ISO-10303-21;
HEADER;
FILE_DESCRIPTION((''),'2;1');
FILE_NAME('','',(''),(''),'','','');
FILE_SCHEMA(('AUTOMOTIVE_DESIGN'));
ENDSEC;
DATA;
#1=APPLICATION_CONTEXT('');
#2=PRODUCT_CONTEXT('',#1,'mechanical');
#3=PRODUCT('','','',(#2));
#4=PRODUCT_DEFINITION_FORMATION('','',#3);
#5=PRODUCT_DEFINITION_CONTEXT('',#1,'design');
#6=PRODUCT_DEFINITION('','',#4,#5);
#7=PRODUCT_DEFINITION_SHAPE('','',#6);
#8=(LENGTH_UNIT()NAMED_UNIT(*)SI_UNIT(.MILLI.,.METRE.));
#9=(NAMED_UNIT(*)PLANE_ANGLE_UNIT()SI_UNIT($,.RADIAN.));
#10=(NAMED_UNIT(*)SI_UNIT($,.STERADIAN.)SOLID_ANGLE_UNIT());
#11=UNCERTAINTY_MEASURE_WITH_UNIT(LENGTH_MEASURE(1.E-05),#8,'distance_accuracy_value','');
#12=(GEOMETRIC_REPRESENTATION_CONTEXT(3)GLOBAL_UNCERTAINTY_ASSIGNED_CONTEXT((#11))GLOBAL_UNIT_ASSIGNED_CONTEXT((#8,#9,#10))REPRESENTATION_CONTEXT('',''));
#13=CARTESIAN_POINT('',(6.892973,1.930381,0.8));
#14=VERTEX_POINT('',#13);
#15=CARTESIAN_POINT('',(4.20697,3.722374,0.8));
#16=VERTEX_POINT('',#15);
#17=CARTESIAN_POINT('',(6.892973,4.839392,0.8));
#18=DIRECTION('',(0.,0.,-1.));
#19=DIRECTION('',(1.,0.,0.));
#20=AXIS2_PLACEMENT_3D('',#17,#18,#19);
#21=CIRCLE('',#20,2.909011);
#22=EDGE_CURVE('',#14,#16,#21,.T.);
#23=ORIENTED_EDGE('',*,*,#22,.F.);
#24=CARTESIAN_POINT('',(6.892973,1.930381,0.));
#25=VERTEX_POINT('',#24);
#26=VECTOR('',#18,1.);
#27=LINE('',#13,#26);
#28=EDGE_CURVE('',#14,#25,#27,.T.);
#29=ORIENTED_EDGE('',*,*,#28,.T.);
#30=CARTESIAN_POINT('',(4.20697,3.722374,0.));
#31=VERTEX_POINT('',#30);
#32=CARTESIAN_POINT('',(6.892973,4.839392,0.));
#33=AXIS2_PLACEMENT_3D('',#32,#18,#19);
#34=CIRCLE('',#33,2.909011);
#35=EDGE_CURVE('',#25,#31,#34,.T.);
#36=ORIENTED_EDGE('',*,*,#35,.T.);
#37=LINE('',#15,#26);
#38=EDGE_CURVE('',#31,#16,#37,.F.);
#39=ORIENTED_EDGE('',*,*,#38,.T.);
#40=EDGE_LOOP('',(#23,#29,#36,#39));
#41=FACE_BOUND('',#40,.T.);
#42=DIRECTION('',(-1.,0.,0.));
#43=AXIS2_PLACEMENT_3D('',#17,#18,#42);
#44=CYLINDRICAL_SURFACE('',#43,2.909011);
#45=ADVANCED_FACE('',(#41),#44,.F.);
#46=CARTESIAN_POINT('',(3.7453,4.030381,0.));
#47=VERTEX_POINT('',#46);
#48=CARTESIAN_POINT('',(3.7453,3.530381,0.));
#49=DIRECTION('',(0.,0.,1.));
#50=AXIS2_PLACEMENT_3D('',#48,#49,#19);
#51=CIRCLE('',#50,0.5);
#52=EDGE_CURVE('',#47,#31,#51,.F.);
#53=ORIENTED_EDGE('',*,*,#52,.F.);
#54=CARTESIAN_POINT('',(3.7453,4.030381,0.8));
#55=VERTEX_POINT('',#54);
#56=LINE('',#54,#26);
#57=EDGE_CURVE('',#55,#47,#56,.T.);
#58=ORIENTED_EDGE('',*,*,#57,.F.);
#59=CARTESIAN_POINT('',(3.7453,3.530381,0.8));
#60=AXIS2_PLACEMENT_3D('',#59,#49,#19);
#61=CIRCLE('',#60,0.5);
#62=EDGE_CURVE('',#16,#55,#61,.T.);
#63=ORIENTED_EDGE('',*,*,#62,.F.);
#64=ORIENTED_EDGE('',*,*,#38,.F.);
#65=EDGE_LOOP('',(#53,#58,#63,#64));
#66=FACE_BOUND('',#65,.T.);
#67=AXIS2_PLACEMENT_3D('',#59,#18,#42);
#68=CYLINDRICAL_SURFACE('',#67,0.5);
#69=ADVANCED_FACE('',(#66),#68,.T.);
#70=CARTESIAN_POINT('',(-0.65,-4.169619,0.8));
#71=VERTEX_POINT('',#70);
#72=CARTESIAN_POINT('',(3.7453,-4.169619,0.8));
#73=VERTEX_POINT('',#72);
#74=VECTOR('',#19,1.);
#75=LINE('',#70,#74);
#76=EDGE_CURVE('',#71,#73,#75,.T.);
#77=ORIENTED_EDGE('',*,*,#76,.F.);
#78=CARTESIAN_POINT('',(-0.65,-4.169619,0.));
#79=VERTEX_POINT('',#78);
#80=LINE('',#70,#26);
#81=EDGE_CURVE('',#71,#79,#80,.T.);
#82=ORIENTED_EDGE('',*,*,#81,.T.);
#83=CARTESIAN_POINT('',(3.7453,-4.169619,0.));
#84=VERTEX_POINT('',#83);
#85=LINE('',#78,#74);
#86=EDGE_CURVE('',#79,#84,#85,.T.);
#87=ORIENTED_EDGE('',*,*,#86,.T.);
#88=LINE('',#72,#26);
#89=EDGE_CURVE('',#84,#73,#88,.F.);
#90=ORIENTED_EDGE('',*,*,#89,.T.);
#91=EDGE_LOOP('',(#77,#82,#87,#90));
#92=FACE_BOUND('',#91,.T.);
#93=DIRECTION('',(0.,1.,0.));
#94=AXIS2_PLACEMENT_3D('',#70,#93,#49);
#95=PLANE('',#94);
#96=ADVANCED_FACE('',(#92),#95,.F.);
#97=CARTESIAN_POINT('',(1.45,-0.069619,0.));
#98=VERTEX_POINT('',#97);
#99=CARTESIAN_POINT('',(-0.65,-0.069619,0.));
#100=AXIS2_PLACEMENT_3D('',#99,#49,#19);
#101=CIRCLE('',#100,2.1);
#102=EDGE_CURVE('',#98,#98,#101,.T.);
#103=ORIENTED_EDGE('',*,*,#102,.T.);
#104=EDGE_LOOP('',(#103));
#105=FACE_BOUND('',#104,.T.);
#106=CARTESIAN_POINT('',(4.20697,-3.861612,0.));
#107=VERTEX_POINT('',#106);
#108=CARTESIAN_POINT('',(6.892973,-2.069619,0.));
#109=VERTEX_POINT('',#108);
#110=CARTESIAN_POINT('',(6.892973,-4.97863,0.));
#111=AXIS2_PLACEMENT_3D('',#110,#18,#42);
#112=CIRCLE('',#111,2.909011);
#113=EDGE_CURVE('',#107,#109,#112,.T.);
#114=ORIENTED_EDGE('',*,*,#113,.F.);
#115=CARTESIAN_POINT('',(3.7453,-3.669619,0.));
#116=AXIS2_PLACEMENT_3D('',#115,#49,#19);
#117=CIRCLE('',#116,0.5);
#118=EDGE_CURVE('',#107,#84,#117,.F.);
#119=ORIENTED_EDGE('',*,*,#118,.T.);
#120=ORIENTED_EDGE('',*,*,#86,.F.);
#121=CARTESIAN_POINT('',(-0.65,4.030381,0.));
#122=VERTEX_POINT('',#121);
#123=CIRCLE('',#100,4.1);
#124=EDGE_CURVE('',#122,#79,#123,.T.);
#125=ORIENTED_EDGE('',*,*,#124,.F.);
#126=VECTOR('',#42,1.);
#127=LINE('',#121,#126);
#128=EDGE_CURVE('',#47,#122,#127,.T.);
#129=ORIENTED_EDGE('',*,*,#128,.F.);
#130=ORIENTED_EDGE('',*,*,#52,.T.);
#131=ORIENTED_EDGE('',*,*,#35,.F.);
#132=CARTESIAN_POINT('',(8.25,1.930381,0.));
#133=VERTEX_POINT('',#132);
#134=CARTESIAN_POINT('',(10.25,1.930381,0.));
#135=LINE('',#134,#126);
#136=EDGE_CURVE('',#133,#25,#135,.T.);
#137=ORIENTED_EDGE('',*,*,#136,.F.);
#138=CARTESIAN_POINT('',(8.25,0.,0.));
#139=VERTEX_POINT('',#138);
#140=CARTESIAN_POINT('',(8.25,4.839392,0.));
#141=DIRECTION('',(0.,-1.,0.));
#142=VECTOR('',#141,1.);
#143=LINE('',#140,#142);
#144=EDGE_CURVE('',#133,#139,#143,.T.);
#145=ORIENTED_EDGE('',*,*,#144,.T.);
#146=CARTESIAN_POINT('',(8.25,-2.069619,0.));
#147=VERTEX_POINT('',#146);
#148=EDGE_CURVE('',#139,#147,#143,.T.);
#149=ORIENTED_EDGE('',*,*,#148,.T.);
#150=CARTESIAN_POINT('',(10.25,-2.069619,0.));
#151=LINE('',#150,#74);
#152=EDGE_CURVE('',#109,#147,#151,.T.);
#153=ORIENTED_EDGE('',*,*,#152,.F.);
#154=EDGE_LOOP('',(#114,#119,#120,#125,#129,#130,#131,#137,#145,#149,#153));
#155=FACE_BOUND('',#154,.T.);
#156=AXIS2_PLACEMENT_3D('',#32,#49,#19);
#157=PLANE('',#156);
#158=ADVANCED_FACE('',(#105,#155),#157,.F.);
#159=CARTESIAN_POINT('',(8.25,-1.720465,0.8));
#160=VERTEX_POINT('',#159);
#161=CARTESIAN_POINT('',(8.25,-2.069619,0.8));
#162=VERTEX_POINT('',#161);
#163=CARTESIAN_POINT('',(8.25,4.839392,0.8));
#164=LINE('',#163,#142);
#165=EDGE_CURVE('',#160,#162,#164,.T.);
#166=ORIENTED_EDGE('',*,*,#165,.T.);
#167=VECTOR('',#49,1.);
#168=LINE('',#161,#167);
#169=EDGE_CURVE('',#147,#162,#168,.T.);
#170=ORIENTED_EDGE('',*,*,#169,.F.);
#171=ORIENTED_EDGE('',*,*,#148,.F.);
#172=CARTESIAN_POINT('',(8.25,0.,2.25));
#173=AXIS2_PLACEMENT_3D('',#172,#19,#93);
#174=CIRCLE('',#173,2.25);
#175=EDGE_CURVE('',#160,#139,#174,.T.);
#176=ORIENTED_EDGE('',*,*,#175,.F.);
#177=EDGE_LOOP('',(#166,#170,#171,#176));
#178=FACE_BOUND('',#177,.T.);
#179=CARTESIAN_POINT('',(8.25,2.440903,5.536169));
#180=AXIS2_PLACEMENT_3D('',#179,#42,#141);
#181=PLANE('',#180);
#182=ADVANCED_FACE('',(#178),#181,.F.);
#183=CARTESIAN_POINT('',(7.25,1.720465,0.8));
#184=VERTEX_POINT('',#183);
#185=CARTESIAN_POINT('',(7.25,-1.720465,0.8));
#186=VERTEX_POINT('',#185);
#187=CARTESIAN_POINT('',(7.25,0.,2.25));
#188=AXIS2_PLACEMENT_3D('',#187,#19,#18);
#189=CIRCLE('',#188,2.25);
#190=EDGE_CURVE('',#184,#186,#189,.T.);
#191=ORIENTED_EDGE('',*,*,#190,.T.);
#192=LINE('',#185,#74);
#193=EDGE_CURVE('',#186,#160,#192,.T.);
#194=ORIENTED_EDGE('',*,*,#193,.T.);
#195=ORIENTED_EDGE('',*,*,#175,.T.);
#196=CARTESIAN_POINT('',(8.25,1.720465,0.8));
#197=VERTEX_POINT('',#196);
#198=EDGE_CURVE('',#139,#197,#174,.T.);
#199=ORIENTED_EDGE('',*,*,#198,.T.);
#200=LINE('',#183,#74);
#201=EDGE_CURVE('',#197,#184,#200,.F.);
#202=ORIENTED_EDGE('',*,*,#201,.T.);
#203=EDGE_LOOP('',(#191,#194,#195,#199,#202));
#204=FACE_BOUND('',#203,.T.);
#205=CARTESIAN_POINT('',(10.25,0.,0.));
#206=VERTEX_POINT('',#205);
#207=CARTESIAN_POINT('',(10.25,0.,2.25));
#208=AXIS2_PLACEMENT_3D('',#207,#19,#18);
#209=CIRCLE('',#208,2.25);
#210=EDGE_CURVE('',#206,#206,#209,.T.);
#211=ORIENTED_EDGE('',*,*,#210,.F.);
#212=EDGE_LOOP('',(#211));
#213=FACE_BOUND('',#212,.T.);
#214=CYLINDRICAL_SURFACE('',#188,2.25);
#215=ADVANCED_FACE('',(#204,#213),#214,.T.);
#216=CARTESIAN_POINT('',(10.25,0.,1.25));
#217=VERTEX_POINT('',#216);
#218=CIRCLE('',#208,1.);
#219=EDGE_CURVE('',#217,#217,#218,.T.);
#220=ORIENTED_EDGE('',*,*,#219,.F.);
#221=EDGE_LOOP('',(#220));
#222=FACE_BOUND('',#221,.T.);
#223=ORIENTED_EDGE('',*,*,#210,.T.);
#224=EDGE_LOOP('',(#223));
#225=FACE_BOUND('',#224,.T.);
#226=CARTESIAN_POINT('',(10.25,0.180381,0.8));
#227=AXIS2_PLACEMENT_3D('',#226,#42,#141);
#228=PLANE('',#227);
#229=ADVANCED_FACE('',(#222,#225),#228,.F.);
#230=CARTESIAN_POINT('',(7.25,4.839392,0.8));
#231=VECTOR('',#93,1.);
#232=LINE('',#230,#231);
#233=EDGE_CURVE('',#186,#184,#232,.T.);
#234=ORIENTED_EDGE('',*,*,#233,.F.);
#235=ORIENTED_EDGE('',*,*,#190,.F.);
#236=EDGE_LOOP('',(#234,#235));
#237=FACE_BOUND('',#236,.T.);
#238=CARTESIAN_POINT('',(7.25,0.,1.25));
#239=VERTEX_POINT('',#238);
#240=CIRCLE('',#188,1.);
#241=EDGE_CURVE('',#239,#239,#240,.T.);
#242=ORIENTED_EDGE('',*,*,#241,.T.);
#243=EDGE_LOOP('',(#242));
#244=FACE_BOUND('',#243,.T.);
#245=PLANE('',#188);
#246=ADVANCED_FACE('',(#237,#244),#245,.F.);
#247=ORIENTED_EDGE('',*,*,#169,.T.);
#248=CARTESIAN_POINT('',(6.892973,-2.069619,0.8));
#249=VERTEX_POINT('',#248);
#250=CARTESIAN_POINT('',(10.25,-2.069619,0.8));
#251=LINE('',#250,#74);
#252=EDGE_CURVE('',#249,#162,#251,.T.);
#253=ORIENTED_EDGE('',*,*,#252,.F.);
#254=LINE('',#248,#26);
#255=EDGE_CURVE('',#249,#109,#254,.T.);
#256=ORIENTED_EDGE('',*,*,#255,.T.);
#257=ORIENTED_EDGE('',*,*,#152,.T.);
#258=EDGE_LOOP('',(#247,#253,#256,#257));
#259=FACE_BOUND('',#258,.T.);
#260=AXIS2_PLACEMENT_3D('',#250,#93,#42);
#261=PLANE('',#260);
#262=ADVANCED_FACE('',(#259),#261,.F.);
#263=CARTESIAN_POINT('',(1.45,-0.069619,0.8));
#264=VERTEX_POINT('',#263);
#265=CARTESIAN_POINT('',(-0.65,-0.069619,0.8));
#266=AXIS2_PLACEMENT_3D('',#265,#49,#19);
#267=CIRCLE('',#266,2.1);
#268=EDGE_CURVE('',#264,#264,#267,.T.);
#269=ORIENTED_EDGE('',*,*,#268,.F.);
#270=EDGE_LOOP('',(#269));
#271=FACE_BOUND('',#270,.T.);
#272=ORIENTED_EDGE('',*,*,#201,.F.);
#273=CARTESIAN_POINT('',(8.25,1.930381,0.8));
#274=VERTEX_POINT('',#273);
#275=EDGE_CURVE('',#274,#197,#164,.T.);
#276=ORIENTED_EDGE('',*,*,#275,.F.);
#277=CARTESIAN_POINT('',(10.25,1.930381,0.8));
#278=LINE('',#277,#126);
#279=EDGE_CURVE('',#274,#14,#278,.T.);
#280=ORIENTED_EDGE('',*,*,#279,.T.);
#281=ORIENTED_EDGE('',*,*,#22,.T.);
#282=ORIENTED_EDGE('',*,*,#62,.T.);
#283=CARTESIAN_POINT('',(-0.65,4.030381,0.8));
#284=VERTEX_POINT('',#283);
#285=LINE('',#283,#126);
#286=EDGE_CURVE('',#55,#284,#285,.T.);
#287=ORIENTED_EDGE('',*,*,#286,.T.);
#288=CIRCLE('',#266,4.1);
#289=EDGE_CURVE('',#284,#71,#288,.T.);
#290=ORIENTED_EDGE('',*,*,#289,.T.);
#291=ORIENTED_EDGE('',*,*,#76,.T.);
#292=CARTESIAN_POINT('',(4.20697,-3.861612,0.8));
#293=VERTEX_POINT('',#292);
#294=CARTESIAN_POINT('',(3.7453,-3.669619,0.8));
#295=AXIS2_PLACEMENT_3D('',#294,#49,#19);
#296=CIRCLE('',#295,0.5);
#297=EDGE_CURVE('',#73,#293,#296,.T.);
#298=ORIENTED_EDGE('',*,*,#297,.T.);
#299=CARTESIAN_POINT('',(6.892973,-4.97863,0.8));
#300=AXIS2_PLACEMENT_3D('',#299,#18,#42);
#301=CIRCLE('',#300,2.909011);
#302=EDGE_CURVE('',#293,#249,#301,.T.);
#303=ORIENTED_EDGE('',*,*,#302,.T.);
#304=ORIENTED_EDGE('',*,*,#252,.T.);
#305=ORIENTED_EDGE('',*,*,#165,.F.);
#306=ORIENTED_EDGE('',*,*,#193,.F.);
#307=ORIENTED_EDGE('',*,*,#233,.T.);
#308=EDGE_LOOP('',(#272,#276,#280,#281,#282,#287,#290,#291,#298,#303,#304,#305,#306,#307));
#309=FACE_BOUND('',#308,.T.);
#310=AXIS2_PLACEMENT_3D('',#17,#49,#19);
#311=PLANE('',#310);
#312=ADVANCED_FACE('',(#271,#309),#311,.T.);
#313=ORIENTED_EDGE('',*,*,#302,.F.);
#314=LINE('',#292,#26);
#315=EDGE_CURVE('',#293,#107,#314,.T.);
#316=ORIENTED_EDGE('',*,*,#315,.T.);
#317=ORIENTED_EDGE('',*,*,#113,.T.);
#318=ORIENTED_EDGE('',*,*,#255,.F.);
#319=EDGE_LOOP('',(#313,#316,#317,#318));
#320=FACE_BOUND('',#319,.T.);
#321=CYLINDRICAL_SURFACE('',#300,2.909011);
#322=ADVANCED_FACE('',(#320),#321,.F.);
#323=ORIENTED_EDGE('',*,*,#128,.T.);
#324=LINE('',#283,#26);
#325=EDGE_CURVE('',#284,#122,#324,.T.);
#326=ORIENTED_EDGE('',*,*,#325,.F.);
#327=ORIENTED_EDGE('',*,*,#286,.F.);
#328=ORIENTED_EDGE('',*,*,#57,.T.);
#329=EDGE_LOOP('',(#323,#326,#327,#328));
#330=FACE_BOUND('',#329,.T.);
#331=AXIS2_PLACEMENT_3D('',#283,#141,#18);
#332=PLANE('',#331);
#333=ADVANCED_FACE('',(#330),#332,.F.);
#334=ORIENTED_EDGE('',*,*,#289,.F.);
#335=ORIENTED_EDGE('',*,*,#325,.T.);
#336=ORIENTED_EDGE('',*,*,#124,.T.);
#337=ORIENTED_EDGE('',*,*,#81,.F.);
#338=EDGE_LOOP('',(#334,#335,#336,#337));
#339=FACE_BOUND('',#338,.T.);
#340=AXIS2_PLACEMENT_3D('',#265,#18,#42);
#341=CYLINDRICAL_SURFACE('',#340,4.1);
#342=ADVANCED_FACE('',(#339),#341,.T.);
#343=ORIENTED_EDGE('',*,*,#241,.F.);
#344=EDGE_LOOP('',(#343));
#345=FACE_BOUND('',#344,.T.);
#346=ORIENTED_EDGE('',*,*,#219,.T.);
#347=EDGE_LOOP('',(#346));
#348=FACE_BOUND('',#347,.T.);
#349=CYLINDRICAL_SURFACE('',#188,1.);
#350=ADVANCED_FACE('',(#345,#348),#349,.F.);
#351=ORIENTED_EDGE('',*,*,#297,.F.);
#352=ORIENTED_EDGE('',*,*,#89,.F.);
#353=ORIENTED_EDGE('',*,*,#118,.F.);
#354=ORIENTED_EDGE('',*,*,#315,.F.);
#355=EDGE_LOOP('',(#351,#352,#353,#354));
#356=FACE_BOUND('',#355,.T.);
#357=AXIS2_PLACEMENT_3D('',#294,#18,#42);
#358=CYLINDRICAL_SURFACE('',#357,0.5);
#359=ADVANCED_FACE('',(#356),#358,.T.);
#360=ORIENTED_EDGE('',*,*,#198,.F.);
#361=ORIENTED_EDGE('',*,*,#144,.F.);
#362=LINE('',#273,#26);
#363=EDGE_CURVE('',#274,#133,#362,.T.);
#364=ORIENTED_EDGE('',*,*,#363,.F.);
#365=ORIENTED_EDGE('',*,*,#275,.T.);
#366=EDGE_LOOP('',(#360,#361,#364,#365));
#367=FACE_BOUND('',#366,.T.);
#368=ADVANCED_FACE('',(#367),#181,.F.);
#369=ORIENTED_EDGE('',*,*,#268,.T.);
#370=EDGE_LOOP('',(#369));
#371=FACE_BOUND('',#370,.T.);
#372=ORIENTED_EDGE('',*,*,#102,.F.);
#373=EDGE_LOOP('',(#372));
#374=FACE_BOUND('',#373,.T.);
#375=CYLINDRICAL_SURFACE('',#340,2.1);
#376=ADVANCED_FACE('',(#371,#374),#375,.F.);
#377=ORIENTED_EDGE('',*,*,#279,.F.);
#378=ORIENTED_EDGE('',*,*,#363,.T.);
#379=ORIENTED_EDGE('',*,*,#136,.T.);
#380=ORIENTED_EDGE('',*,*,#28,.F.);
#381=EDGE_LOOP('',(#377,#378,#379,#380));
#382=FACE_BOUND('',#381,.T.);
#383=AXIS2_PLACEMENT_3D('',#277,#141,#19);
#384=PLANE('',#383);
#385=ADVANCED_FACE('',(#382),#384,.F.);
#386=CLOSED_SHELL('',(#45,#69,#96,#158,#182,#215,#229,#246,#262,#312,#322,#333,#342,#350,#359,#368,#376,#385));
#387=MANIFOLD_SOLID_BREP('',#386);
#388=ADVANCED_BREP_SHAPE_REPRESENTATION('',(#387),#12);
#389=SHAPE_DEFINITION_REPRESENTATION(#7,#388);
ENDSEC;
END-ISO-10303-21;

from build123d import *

# Parameters (mm, degrees)
SKETCH_1_R          = 2.1
EXTRUDE_4_DEPTH     = 0.8
SKETCH_2_R          = 2.25
SKETCH_2_R_2        = 1
EXTRUDE_5_DEPTH     = 3
FILLET_1_R          = 0.5
SKETCH_3_W          = 6.892182162
SKETCH_3_H          = 5.392211784
SKETCH_3_R          = 2.25
CUT_EXTRUDE_1_DEPTH = 2


with BuildPart() as part:
    # Эскиз1 → Вытянуть4 (new body)
    with BuildSketch(Plane.XY):
        with BuildLine():
            Line((-0.65, 4.030380872), (4.098720888, 4.030380872))
            ThreePointArc((4.098720888, 4.030380872), (5.145271439, 2.513906235), (6.892973224, 1.930380872))
            Line((6.892973224, 1.930380872), (10.25, 1.930380872))
            Line((10.25, 1.930380872), (10.25, 0.180380872))
            Line((10.25, 0.180380872), (10.25, -2.069619128))
            Line((10.25, -2.069619128), (6.892973224, -2.069619128))
            ThreePointArc((6.892973224, -2.069619128), (5.145271439, -2.653144492), (4.098720888, -4.169619128))
            Line((4.098720888, -4.169619128), (-0.65, -4.169619128))
            ThreePointArc((-0.65, -4.169619128), (-4.75, -0.069619128), (-0.65, 4.030380872))
        make_face()
        with Locations((-0.65, -0.069619128)):
            Circle(SKETCH_1_R, mode=Mode.SUBTRACT)
    extrude(amount=EXTRUDE_4_DEPTH)

    # Эскиз2 → Вытянуть5 (add)
    with BuildSketch(Plane(origin=(10.25, 0, 0), x_dir=(0, 0, -1), z_dir=(1, 0, 0))):
        with Locations((-2.25, 0)):
            Circle(SKETCH_2_R)
        with Locations((-2.25, 0)):
            Circle(SKETCH_2_R_2, mode=Mode.SUBTRACT)
    extrude(amount=-EXTRUDE_5_DEPTH)

    # Скругление1
    fillet_1_edges = [part.edges().sort_by_distance(p)[0] for p in [
        (4.098720888, -4.169619128, 0.4),
        (4.098720888, 4.030380872, 0.4),
    ]]
    fillet(fillet_1_edges, radius=FILLET_1_R)

    # Эскиз3 → Вырез-Вытянуть1 (cut)
    with BuildSketch(Plane(origin=(10.25, 0, 0), x_dir=(0, 0, -1), z_dir=(1, 0, 0))):
        with Locations((-2.090078371, -0.255202745)):
            Rectangle(SKETCH_3_W, SKETCH_3_H)
        with Locations((-2.25, 0)):
            Circle(SKETCH_3_R, mode=Mode.SUBTRACT)
    extrude(amount=-CUT_EXTRUDE_1_DEPTH, mode=Mode.SUBTRACT)


solid = part.part
